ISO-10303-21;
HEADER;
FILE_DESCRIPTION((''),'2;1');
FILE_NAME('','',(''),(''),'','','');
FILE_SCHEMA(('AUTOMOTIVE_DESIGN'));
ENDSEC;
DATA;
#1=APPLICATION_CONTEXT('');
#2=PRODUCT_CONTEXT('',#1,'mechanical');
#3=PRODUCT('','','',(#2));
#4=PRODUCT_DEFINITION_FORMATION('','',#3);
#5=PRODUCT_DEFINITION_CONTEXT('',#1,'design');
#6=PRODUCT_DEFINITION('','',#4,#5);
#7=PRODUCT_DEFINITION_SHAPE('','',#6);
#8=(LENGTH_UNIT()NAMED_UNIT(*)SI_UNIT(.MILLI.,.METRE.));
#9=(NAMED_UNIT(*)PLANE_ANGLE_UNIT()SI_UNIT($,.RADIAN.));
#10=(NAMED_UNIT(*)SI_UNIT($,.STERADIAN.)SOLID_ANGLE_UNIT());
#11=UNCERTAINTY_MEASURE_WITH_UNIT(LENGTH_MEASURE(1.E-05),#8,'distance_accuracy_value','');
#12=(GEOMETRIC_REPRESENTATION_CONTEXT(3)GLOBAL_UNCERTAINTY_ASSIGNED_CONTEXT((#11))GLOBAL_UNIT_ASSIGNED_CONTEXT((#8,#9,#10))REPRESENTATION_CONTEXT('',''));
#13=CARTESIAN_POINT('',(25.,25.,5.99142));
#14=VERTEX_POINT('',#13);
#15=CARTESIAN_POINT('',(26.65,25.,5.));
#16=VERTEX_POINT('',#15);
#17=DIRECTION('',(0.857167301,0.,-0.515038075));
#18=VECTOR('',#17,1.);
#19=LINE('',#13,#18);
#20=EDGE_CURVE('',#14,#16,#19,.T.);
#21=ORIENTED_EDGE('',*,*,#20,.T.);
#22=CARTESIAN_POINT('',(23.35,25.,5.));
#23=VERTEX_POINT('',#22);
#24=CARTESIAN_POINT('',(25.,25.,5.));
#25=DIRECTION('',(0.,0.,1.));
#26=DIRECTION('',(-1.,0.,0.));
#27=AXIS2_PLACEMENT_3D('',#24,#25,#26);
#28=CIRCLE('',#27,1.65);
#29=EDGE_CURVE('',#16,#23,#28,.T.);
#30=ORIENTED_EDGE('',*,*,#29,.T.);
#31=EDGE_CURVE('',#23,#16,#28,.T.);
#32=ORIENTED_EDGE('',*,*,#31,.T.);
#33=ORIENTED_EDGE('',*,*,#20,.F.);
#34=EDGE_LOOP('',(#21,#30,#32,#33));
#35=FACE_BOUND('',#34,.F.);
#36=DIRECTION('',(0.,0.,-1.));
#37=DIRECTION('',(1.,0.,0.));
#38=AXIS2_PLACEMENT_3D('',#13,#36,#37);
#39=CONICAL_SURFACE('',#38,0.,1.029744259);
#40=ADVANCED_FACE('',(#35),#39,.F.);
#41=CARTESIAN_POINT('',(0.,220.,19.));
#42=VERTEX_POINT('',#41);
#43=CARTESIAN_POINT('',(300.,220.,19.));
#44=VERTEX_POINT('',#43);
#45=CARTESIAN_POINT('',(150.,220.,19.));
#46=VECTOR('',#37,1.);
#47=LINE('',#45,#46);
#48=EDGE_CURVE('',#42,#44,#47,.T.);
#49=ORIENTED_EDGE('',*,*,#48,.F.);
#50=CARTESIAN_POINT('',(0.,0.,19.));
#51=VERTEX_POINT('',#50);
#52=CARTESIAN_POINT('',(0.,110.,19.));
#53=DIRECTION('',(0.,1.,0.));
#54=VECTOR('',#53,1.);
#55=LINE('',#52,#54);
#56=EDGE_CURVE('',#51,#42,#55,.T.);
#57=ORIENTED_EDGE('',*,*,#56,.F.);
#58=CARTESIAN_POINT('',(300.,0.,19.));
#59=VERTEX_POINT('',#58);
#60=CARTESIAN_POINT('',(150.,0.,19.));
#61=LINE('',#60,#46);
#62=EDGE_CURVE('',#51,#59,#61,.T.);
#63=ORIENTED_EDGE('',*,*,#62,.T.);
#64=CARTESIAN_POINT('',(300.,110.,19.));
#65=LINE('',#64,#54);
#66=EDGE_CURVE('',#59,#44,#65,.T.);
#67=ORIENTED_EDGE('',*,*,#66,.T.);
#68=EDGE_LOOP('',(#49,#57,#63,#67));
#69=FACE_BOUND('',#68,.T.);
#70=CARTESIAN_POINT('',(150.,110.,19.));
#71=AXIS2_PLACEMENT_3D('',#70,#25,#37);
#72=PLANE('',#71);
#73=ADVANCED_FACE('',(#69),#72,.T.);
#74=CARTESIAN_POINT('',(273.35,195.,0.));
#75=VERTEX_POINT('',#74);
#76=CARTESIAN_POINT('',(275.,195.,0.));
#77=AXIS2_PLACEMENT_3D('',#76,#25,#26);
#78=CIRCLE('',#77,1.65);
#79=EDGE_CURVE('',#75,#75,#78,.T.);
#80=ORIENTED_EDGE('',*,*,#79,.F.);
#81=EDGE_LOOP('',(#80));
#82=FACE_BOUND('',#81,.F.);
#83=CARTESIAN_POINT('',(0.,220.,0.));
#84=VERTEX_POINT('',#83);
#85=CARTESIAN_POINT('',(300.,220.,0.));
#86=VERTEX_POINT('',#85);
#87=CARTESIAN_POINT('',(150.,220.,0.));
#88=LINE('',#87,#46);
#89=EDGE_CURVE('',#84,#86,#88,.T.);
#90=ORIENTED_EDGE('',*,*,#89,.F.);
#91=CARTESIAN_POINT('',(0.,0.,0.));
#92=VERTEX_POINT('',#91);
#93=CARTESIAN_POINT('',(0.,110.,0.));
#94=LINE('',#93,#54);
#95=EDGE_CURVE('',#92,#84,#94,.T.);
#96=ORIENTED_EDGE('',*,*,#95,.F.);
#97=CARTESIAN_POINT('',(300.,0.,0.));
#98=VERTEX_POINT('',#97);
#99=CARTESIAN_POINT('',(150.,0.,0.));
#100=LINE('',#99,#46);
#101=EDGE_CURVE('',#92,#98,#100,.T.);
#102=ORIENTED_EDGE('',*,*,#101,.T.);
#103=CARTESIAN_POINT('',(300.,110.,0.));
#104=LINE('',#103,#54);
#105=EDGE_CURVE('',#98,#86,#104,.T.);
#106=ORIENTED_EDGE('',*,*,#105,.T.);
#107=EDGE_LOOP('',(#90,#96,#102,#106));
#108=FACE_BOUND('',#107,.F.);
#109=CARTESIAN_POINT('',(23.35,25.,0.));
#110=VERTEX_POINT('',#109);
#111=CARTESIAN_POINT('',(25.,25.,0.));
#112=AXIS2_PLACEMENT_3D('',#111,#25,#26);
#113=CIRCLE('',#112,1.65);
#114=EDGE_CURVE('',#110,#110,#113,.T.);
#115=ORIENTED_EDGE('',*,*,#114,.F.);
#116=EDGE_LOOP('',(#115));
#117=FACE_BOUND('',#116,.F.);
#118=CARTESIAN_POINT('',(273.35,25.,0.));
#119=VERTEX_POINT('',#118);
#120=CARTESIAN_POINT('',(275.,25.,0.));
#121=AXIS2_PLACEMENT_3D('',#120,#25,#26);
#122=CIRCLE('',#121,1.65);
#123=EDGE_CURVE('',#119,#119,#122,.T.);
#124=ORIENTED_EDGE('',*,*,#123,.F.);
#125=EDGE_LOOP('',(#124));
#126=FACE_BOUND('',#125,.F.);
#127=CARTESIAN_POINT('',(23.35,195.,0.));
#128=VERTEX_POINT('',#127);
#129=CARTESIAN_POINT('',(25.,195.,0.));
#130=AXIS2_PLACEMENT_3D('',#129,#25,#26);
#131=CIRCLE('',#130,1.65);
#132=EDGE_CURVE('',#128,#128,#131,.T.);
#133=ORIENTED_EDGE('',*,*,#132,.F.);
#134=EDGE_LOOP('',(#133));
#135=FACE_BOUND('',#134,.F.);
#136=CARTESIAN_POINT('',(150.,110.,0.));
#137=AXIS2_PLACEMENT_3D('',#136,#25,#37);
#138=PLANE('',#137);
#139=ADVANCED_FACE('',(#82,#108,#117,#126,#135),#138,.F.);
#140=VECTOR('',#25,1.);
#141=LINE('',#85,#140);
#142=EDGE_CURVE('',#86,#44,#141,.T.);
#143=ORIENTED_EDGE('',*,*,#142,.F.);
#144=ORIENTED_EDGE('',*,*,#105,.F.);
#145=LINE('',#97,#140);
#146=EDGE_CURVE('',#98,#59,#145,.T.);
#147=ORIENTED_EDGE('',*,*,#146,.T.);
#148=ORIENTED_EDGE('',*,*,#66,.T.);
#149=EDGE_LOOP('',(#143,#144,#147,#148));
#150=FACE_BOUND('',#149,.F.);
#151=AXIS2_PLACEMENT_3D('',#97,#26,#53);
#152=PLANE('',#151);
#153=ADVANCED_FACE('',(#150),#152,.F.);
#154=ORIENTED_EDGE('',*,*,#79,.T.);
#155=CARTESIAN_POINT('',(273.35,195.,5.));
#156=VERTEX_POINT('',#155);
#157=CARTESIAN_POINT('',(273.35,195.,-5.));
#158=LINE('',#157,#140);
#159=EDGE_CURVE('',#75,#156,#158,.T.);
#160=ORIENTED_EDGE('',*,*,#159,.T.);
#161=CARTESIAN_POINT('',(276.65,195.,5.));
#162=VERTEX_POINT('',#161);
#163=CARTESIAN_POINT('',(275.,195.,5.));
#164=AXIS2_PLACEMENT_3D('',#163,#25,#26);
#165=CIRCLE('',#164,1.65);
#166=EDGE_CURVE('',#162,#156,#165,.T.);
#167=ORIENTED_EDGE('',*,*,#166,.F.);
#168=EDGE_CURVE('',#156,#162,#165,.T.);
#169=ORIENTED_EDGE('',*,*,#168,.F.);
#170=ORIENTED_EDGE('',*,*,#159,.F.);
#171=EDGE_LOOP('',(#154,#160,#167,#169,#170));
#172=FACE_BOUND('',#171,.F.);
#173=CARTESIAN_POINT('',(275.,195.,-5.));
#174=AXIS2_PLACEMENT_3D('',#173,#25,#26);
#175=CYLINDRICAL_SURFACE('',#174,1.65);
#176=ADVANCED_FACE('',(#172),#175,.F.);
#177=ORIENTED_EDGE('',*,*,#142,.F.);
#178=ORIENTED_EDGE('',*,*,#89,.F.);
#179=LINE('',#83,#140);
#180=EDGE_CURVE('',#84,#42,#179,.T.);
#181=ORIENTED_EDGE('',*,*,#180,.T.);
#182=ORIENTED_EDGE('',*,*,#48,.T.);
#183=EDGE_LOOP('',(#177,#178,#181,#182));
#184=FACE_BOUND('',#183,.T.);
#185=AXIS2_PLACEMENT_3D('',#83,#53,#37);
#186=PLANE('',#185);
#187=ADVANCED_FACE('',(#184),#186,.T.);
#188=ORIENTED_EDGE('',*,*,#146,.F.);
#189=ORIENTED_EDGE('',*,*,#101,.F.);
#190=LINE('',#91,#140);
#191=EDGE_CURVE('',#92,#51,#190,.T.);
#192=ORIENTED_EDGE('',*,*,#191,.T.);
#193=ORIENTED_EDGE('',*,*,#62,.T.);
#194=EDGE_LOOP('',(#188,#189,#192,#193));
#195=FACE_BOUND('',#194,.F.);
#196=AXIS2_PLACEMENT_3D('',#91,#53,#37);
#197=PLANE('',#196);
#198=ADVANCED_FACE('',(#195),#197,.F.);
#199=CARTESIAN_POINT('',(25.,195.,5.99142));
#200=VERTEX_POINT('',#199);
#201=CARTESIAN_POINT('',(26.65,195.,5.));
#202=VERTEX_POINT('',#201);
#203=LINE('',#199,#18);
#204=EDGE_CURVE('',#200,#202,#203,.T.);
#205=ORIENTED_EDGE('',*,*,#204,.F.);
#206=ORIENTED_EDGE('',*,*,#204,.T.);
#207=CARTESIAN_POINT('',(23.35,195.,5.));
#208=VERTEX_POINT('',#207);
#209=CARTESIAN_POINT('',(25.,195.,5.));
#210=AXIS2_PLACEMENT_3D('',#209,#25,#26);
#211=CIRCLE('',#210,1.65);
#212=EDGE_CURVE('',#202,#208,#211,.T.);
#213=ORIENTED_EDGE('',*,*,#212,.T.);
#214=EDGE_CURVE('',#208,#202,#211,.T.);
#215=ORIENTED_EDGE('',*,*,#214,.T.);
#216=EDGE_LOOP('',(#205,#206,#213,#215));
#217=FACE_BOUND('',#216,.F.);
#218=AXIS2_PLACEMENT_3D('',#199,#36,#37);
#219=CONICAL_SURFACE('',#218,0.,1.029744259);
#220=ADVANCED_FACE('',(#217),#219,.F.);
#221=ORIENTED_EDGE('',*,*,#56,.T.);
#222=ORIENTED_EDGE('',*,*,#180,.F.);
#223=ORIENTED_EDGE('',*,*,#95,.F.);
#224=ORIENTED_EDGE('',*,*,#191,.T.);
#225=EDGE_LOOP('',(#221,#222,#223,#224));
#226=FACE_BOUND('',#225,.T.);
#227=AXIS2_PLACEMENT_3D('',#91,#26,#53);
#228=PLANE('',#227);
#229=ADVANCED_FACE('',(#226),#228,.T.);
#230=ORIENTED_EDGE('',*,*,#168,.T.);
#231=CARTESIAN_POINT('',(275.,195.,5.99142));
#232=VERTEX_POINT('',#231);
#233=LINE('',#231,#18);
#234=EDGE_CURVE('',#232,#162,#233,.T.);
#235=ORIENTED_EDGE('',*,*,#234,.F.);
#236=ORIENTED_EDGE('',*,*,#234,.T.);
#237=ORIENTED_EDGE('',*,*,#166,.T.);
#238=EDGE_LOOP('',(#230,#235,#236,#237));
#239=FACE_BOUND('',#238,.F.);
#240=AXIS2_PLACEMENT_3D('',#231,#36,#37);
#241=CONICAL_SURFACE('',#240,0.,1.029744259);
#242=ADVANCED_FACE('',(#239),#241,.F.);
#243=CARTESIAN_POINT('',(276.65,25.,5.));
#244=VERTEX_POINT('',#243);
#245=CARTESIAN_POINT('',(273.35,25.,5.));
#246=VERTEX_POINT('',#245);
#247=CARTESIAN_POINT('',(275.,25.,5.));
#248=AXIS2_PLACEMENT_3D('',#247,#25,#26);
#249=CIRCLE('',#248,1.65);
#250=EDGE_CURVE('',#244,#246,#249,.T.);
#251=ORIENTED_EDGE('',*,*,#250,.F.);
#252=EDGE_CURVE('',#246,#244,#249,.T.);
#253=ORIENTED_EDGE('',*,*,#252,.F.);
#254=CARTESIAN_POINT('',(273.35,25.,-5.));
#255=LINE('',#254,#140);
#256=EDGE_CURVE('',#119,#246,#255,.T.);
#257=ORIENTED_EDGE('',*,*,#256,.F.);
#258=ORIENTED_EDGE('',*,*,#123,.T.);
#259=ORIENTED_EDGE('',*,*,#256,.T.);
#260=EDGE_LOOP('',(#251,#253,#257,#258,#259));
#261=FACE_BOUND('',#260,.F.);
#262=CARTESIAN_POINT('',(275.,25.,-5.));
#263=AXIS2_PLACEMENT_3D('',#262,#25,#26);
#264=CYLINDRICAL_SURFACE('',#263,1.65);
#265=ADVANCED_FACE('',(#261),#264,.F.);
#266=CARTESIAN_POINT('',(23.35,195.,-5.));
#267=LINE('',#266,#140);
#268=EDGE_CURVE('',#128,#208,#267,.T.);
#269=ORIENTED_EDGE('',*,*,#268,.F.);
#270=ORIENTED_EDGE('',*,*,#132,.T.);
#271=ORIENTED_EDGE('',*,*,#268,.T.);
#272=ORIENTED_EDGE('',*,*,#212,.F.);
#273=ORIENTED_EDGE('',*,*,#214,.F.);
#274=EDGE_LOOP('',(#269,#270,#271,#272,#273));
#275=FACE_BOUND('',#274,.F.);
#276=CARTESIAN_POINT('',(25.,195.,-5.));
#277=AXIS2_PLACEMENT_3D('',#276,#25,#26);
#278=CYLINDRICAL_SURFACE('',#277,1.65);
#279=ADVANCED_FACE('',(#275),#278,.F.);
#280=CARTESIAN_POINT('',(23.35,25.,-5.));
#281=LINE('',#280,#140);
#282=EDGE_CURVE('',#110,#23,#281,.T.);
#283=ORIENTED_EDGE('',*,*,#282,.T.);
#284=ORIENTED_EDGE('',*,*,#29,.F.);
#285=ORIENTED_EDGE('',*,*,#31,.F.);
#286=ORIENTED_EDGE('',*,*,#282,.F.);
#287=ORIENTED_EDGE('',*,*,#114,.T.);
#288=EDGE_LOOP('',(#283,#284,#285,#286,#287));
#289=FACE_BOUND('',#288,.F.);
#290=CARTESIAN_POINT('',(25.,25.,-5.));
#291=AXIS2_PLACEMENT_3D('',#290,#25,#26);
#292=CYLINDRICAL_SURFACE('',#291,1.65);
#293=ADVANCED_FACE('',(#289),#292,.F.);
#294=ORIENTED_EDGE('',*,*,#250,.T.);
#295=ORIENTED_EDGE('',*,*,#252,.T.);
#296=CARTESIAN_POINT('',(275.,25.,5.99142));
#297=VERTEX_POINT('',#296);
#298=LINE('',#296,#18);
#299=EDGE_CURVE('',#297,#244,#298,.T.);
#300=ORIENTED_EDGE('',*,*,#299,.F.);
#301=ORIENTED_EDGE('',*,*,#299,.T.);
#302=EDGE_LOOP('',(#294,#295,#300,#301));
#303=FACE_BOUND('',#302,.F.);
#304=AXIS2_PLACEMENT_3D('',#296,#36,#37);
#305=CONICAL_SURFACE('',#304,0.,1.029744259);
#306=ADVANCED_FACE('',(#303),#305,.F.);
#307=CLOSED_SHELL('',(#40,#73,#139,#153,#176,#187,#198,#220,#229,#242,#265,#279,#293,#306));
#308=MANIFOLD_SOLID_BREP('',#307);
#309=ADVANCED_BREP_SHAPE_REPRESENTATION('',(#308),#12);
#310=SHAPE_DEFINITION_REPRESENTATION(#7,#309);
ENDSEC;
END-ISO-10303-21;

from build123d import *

# Parameters (mm, degrees)
F0_W     = 300
F0_H     = 220
F1_DEPTH = 19
F3_D     = 3.3
F3_DEPTH = 5
F3_TIP   = 0.9914200214


with BuildPart() as f1:
    # F0 (on Top) → F1 (new body)
    with BuildSketch(Plane.XY):
        with Locations((150, 110)):
            Rectangle(F0_W, F0_H)
    extrude(amount=F1_DEPTH)

    # F3
    with Locations(Plane(origin=(0, 0, 0), x_dir=(1, 0, 0), z_dir=(0, 0, -1))):
        with Locations((25, -25), (25, -195), (275, -195), (275, -25)):
            Hole(F3_D / 2, depth=F3_DEPTH)
            with Locations((0, 0, -(F3_DEPTH + F3_TIP / 2))):  # 118° drill point
                Cone(0, F3_D / 2, F3_TIP, mode=Mode.SUBTRACT)


solid = f1.part
